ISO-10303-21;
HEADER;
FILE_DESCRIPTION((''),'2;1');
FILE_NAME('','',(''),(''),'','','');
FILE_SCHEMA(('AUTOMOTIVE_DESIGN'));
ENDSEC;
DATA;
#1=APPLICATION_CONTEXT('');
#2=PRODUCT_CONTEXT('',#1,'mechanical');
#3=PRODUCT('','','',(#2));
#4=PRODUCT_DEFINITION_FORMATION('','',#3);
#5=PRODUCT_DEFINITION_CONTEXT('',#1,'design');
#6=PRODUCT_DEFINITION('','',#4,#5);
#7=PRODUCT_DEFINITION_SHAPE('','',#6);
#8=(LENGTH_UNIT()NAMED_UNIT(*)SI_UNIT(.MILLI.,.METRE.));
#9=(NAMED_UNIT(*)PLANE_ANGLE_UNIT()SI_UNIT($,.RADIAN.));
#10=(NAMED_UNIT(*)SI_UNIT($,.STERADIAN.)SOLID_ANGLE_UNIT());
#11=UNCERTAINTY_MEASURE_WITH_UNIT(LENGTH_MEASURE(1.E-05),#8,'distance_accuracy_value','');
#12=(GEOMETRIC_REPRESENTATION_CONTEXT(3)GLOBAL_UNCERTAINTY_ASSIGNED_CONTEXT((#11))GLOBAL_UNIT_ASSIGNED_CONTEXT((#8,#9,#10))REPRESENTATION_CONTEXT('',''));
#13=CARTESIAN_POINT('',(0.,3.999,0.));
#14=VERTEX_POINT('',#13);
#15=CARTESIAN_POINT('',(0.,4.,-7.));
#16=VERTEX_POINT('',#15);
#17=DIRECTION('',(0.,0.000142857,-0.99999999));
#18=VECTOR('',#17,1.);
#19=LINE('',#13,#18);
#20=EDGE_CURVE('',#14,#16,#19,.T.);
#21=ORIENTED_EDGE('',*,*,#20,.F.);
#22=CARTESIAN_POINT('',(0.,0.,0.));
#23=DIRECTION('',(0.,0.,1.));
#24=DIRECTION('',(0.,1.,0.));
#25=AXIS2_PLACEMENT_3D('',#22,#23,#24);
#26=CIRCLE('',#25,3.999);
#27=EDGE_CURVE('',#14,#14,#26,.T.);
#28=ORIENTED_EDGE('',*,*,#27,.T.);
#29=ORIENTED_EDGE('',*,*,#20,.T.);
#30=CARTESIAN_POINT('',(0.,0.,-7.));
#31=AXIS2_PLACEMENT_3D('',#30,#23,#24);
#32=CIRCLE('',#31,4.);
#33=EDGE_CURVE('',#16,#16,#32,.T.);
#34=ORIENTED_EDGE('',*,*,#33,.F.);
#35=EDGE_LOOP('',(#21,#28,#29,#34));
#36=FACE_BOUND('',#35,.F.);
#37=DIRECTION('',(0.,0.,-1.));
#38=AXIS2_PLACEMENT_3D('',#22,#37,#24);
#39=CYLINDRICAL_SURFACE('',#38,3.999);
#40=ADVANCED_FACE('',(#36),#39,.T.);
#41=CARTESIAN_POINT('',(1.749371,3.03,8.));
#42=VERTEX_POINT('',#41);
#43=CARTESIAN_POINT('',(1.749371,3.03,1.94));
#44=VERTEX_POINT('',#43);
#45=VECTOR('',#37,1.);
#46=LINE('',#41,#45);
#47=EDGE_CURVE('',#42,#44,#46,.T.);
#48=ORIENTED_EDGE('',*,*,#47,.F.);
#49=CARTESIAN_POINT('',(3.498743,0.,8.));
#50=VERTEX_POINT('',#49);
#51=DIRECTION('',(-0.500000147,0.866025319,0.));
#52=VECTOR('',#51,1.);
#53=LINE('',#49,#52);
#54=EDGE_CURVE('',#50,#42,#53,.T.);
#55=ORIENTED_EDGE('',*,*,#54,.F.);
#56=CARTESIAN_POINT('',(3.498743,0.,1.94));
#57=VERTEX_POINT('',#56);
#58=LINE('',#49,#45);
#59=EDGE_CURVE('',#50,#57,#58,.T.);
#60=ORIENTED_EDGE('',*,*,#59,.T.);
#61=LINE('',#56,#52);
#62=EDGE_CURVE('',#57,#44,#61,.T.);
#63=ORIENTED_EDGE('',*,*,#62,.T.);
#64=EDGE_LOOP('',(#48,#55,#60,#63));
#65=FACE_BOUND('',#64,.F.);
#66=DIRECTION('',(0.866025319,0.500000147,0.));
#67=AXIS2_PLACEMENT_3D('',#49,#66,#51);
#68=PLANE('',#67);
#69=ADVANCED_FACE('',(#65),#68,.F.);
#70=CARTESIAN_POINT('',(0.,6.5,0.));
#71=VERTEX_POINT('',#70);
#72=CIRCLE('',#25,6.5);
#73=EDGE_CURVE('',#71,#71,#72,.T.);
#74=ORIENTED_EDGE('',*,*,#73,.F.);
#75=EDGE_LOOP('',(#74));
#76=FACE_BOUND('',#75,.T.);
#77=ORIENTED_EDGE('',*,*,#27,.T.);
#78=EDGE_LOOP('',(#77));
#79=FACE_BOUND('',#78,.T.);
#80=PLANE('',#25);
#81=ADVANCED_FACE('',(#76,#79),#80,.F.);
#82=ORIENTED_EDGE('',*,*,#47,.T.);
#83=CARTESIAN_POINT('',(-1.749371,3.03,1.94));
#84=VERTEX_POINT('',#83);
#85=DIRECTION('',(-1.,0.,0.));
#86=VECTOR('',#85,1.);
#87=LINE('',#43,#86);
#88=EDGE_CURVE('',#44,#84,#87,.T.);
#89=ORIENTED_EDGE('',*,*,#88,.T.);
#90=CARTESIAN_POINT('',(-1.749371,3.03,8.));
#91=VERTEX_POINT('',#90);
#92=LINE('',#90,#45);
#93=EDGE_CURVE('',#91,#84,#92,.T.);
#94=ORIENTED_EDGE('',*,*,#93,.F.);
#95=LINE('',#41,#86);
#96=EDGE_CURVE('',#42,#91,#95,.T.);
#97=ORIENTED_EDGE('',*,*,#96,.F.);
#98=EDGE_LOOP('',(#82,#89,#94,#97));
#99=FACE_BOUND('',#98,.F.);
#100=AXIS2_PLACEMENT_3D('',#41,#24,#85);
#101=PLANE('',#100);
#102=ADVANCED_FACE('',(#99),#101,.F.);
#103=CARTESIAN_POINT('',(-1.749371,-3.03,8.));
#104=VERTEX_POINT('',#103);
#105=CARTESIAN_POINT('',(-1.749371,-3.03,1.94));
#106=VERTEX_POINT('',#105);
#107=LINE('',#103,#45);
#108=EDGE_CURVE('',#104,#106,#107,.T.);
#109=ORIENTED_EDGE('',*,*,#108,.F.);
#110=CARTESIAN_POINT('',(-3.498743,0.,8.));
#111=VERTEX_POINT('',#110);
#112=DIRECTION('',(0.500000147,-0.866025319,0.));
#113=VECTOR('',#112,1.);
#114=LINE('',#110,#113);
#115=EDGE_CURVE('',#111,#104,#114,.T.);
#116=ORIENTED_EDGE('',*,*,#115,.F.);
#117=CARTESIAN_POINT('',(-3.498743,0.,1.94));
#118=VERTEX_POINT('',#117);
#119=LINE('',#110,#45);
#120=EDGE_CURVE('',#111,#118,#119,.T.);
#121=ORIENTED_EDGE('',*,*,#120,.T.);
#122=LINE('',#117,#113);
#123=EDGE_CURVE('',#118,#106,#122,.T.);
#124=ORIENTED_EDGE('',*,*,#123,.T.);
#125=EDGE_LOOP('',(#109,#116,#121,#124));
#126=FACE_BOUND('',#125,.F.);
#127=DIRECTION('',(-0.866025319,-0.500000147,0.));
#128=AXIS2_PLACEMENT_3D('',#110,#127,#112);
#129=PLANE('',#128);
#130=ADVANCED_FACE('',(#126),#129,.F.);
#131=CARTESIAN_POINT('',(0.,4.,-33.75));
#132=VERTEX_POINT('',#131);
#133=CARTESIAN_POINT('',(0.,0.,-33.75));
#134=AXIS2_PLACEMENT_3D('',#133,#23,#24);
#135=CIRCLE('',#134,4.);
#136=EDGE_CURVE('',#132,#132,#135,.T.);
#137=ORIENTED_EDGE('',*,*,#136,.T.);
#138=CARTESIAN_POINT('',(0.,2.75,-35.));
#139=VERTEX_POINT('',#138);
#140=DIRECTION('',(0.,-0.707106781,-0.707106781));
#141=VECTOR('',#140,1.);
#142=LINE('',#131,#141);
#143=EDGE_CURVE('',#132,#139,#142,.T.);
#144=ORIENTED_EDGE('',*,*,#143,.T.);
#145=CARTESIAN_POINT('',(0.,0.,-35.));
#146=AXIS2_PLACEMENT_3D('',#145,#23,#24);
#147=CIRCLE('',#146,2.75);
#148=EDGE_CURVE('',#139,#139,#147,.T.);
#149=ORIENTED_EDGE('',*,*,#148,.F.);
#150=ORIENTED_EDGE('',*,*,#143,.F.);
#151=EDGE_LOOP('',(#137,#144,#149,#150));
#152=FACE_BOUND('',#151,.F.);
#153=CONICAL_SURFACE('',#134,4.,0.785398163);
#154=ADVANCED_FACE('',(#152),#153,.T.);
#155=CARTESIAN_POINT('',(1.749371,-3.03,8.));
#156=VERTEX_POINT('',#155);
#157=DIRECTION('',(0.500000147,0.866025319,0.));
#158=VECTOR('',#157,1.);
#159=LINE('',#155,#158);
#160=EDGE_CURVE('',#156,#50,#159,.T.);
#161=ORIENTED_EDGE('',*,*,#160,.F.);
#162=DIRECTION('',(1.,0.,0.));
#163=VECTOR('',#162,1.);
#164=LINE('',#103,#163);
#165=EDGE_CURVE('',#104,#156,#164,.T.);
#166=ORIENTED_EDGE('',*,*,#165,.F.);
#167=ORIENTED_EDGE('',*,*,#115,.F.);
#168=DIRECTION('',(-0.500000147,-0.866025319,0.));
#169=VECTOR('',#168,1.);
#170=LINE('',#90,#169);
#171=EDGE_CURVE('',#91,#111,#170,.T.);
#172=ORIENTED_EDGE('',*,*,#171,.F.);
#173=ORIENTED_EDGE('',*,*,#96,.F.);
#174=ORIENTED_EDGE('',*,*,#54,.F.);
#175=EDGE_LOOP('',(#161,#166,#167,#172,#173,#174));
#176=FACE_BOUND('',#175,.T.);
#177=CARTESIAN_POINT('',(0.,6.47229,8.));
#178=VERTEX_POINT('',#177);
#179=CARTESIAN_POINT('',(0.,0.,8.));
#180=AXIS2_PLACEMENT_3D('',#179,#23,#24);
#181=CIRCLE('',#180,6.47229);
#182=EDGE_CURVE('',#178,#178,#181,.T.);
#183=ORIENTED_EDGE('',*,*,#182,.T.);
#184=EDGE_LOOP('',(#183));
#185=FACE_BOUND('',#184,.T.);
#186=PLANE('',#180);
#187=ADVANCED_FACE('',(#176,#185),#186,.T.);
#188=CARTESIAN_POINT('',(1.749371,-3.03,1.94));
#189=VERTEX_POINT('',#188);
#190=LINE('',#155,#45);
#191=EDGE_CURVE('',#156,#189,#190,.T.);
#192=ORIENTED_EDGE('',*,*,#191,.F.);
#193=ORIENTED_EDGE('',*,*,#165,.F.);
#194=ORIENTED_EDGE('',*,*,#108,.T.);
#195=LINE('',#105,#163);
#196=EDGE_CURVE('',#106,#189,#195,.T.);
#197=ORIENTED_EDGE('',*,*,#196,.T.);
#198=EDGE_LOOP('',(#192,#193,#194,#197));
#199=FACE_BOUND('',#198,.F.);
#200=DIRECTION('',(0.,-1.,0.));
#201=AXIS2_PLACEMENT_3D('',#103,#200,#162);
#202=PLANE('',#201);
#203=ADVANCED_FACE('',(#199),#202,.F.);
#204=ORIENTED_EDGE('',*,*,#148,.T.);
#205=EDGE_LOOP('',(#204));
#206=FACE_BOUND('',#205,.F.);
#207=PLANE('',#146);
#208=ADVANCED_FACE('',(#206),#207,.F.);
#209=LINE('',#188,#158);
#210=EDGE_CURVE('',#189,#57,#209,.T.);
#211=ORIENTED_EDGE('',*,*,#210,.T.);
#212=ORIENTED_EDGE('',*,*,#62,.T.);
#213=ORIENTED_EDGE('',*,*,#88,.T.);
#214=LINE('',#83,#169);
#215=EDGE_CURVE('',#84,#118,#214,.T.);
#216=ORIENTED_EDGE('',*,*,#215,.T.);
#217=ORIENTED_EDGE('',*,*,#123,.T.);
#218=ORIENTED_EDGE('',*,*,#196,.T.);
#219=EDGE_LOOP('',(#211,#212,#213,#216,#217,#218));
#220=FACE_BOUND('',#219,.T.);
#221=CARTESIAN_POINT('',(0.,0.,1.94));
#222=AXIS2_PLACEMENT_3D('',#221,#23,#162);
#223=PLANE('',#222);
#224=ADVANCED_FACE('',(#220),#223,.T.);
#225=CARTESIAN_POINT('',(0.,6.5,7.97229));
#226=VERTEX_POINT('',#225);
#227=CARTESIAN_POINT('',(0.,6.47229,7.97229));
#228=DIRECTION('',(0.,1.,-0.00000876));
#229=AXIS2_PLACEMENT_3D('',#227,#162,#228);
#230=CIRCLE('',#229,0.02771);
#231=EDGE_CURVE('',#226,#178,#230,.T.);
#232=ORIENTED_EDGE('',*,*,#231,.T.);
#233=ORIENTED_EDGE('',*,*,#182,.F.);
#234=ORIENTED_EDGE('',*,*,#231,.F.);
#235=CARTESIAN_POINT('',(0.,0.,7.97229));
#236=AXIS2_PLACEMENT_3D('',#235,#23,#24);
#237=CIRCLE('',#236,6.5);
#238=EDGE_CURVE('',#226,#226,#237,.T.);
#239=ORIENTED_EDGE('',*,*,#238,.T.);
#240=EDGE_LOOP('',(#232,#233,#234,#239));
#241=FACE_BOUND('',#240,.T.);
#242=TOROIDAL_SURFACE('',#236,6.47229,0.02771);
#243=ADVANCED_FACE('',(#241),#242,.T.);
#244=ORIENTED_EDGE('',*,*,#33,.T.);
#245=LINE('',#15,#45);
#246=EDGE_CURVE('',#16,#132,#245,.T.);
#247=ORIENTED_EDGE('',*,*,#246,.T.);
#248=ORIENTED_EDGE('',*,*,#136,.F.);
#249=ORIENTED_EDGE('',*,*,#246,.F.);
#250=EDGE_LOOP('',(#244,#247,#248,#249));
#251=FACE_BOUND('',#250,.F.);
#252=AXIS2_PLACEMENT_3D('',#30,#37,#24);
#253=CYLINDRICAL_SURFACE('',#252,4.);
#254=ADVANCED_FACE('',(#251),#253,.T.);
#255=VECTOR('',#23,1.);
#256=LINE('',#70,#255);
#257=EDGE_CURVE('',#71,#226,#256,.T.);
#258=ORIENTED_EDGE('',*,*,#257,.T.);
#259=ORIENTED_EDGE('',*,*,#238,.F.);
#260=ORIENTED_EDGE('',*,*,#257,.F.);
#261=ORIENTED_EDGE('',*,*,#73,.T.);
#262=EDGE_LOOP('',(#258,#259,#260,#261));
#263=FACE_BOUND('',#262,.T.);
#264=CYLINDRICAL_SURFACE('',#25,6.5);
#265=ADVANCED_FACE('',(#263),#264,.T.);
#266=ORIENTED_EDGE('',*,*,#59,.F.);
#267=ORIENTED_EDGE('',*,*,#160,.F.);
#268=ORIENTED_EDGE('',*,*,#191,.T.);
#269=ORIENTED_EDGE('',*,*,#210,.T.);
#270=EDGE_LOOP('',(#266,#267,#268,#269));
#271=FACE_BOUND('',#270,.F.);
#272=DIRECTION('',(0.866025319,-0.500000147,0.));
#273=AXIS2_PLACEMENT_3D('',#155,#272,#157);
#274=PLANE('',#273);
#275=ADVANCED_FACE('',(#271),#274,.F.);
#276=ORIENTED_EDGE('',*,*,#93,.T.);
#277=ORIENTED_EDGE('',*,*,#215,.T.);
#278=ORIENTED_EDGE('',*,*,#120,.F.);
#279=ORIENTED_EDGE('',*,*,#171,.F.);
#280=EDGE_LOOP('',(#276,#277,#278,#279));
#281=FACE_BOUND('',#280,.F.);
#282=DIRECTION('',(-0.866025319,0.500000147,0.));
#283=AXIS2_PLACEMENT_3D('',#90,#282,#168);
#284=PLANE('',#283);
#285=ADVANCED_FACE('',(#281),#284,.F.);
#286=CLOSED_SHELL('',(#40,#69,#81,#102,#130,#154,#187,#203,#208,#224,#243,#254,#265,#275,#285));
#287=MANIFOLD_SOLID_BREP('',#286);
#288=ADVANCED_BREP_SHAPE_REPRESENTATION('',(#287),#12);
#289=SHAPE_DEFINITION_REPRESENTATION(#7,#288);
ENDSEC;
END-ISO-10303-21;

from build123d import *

# Parameters (mm, degrees)
POCKET_DEPTH = 6.06


with BuildPart() as part:
    # Sketch → Revolve (revolve)
    with BuildSketch(Plane.YZ):
        with BuildLine():
            Line((3.999, 0), (6.5, 0))
            Line((6.5, 0), (6.5, 7.97229))
            ThreePointArc((6.5, 7.97229), (6.491884, 7.991884), (6.47229, 8))
            Line((6.47229, 8), (0, 8))
            Line((0, -35), (0, 8))
            Line((2.75, -35), (0, -35))
            Line((4, -33.75), (2.75, -35))
            Line((4, -7), (4, -33.75))
            Line((3.999, 0), (4, -7))
        make_face()
    revolve(axis=Axis((0, 0, 0), (0, 0, 1)))

    # Sketch001 → Pocket (cut)
    with BuildSketch(Plane.XY.offset(8)):
        Polygon((3.498743, 0), (1.749371, 3.03), (-1.749371, 3.03), (-3.498743, 0), (-1.749371, -3.03), (1.749371, -3.03), align=None)
    extrude(amount=-POCKET_DEPTH, mode=Mode.SUBTRACT)


solid = part.part
